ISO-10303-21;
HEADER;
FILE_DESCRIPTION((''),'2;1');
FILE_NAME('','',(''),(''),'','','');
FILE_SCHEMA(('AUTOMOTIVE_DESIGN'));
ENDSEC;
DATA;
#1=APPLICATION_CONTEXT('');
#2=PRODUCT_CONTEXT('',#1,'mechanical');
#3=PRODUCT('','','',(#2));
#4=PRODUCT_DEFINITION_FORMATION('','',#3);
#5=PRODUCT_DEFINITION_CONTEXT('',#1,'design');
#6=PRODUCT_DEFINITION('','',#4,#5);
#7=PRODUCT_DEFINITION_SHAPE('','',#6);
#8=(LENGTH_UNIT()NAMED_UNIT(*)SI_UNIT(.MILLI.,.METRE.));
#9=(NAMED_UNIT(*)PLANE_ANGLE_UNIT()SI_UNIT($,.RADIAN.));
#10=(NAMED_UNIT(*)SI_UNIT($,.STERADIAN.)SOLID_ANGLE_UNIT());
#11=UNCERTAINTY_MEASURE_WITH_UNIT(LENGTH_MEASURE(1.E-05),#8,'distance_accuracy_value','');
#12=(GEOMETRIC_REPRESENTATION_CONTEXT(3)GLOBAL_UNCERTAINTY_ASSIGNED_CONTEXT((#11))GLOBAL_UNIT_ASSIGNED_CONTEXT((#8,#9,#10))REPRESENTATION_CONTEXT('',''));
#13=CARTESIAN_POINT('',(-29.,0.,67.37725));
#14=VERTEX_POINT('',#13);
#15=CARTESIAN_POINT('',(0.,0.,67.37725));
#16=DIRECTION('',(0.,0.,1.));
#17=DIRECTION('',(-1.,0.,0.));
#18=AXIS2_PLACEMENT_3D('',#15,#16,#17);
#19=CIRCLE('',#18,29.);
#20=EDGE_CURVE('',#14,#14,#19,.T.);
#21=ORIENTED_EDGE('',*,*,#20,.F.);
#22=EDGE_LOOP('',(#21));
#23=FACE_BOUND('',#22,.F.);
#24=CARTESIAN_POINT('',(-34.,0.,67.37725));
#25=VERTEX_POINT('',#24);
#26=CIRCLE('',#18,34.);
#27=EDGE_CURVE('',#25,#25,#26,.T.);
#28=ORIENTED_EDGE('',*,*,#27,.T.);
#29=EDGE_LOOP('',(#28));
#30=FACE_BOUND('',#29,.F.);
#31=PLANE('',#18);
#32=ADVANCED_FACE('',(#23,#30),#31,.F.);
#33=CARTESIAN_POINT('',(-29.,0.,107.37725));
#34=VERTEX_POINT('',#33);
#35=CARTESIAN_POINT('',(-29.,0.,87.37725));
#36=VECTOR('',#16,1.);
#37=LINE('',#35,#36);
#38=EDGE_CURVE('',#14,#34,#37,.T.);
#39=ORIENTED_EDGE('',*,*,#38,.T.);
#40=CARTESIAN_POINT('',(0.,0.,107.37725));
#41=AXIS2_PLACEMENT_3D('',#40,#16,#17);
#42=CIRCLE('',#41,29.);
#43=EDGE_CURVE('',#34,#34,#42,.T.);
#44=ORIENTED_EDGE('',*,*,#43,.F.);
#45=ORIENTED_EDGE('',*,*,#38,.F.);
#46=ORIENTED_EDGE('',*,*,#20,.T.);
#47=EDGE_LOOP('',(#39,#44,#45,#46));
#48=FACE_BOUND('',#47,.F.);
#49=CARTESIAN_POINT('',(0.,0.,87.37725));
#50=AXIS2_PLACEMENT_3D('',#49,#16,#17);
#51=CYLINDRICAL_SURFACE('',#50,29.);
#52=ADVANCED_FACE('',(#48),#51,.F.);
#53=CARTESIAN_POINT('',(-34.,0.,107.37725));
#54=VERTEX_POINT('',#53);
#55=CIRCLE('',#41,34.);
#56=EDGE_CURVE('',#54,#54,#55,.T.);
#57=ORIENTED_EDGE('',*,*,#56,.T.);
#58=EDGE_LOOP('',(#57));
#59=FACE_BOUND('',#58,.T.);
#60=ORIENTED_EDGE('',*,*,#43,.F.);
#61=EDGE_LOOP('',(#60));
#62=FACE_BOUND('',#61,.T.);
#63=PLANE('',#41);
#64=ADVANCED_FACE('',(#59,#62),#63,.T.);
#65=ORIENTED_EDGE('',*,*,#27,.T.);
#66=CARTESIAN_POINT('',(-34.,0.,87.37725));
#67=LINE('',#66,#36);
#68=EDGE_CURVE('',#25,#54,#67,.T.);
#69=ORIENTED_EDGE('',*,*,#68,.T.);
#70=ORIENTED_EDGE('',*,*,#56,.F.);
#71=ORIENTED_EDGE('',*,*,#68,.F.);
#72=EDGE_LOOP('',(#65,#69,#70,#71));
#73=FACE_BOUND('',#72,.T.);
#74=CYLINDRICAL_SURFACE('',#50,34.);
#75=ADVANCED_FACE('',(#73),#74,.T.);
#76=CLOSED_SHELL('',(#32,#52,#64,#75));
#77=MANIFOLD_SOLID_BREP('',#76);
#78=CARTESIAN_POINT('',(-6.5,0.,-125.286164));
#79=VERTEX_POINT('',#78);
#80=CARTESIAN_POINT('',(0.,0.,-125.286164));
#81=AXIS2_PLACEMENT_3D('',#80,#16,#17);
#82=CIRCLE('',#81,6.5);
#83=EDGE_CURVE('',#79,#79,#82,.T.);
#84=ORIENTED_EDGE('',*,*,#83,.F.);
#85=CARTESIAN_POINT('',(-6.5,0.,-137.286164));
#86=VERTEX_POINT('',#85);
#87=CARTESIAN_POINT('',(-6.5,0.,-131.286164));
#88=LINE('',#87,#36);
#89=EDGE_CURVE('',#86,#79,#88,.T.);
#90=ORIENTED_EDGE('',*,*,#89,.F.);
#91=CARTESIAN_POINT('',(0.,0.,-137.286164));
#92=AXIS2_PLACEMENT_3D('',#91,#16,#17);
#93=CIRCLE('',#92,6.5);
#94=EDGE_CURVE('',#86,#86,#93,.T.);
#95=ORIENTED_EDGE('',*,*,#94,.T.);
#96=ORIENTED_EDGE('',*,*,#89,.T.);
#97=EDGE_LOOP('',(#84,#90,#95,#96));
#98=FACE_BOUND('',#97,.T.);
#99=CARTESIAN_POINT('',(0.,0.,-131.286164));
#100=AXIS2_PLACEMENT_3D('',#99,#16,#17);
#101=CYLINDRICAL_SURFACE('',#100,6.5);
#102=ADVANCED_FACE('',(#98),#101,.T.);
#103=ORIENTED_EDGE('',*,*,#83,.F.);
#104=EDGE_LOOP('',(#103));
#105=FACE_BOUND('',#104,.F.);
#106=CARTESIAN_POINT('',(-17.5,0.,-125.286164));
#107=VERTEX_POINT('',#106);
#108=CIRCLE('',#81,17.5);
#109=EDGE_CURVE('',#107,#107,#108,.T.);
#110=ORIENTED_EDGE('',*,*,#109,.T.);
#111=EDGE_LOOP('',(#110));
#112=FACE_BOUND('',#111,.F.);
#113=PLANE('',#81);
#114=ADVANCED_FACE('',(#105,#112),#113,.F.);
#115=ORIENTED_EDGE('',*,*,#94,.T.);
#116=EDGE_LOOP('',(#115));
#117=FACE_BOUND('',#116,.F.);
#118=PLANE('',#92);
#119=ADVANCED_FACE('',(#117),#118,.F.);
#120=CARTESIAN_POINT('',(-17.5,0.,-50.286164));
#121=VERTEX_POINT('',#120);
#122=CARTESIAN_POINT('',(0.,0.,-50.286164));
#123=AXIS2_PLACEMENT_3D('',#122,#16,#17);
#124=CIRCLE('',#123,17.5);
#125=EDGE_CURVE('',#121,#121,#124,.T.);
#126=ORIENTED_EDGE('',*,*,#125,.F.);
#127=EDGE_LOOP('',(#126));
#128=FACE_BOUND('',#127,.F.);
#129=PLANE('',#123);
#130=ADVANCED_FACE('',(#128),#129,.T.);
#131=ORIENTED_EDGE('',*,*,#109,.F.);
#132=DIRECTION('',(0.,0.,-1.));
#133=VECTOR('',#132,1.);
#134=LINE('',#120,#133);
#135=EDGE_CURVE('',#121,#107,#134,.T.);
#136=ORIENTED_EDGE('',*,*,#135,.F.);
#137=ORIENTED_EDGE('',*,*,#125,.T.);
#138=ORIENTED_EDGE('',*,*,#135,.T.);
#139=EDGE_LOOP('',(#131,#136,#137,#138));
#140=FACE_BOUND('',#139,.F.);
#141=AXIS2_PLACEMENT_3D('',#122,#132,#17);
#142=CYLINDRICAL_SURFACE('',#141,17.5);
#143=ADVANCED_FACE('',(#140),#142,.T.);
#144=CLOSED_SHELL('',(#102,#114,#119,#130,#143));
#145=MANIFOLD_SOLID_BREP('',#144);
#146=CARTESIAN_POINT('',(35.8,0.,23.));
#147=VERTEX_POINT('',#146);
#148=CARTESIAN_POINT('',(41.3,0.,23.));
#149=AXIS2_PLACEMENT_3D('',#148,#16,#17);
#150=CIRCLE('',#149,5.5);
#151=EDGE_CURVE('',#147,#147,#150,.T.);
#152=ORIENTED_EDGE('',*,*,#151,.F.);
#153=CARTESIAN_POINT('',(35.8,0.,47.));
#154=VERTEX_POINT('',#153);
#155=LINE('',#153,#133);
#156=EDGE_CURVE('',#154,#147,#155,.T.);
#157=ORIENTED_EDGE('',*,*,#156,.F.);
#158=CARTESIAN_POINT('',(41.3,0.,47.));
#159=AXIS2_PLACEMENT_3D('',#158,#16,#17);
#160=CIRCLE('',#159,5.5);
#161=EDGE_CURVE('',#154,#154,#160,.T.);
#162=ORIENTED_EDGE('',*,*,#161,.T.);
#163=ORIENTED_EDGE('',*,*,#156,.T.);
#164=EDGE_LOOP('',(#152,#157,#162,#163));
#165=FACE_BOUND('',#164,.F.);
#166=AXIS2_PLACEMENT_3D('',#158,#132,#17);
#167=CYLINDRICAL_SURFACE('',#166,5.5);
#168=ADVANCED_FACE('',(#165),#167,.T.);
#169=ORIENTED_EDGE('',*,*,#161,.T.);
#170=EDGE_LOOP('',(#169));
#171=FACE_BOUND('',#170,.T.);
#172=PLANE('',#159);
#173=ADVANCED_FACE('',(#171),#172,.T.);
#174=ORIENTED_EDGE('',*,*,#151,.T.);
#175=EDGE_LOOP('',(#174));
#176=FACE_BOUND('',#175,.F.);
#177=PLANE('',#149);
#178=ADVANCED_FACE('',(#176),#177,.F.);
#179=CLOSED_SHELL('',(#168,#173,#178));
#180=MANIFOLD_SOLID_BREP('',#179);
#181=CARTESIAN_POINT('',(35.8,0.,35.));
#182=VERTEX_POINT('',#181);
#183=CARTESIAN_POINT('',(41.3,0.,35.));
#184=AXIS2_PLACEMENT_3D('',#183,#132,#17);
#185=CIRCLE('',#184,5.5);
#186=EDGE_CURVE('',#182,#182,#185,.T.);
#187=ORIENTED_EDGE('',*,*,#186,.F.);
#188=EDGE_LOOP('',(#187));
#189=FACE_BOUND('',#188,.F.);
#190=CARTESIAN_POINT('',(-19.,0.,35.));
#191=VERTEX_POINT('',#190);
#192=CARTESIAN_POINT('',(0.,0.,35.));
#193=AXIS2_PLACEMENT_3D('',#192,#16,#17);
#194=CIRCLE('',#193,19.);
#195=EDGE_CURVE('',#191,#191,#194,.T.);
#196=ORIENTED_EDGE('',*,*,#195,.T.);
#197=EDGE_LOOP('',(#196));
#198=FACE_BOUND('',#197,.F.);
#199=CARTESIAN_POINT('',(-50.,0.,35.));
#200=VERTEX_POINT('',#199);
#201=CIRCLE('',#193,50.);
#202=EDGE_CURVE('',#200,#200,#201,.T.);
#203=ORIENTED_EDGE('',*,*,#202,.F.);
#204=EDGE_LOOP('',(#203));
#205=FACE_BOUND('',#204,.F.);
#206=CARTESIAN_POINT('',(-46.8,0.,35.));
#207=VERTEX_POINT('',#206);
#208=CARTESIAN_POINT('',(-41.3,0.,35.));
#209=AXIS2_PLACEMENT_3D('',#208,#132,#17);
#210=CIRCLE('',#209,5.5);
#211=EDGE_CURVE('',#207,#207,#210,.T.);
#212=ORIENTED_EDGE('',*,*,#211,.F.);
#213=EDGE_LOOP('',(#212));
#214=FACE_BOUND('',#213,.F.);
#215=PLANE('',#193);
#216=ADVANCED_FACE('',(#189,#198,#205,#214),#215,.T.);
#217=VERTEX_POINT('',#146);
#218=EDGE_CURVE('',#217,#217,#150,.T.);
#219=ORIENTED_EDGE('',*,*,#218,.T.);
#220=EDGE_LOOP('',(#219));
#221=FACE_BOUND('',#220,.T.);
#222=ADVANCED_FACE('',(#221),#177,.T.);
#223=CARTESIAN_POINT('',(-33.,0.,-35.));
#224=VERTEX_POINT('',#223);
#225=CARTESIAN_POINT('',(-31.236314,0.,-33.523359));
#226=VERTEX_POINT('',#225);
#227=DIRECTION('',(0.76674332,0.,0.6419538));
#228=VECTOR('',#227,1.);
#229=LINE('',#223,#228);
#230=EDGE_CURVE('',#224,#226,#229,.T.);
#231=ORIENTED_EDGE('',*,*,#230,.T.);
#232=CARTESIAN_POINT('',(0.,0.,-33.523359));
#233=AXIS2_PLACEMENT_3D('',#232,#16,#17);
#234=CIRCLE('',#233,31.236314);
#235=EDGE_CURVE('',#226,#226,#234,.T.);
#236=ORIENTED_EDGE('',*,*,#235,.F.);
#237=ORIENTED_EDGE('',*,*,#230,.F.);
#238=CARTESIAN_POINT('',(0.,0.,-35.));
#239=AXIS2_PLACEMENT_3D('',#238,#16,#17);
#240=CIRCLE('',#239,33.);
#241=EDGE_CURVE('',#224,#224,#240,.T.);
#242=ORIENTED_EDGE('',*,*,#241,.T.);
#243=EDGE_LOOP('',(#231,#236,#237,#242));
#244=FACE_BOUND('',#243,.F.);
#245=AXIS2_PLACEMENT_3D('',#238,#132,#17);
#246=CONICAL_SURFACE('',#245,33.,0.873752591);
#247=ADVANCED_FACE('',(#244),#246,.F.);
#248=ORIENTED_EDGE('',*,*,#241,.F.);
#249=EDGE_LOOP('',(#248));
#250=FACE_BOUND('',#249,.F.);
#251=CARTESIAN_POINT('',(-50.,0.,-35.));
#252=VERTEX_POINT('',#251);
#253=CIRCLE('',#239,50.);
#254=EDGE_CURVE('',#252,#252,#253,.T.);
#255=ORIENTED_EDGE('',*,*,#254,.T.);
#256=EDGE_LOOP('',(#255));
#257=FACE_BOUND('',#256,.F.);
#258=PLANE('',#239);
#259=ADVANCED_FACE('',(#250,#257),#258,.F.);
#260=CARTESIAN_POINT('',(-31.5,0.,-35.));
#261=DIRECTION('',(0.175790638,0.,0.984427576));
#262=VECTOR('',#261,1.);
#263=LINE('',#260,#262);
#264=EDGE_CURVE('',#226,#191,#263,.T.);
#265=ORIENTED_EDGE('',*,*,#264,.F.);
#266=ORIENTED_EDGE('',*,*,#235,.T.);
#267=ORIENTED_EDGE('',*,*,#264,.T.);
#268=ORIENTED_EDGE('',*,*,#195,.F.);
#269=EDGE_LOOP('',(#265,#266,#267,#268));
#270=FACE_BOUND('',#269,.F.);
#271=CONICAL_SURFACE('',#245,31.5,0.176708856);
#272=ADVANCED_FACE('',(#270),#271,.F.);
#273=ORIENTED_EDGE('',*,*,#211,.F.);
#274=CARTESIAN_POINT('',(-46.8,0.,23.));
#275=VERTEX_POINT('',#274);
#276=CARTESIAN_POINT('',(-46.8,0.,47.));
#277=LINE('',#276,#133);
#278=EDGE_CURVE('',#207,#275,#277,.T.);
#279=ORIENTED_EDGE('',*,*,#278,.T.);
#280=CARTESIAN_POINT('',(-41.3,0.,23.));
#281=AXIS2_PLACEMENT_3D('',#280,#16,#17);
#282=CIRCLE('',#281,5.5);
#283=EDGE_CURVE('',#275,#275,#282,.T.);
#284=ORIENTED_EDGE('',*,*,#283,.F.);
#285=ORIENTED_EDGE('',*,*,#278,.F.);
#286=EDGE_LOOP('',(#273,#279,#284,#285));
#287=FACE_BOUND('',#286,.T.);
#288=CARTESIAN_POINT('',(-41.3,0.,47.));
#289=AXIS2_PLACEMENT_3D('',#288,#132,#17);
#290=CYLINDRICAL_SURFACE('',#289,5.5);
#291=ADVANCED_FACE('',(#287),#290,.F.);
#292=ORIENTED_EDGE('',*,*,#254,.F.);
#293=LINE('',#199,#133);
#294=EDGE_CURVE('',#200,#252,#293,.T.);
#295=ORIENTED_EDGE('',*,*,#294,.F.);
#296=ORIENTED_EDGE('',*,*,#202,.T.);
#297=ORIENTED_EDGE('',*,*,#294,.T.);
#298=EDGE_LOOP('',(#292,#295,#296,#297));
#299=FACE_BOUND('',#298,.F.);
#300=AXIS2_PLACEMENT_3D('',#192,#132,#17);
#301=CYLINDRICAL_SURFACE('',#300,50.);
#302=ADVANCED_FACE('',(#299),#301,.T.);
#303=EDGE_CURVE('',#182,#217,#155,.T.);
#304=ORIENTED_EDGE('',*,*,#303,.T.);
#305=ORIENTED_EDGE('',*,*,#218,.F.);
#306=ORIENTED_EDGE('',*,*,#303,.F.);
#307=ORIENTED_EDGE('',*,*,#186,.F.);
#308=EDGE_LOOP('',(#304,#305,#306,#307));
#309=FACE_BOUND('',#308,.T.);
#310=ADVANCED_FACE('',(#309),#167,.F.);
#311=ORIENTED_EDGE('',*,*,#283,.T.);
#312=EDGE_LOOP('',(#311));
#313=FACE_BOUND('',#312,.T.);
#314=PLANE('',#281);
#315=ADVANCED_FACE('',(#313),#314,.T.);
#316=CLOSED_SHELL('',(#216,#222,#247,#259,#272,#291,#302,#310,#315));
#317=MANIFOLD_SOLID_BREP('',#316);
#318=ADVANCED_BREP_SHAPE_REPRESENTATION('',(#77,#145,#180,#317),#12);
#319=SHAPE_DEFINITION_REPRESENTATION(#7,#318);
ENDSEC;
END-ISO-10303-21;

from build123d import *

# Parameters (mm, degrees)
F0_W    = 5
F0_H    = 40
F0_W_2  = 5.5
F0_H_2  = 12
F0_W_3  = 6.5
F4_SIZE = 1.5


with BuildPart() as f1:
    # F0 (on Front) → F1 (revolve)
    with BuildSketch(Plane.XZ):
        with Locations((-31.5, 87.3772501945)):
            Rectangle(F0_W, F0_H)
    revolve(axis=Axis((0, 0, -11.2999752164), (0, 0, 1)))


with BuildPart() as f2:
    # F0 (on Front) → F2 (revolve)
    with BuildSketch(Plane.XZ):
        Polygon((-50, -35), (-31.5, -35), (-19, 35), (-35.8, 35), (-35.8, 23), (-41.3, 23), (-46.8, 23), (-46.8, 35), (-50, 35), align=None)
        with Locations((-38.55, 29)):
            Rectangle(F0_W_2, F0_H_2)
        with Locations((-44.05, 29)):
            Rectangle(F0_W_2, F0_H_2)
    revolve(axis=Axis((0, 0, -11.2999752164), (0, 0, 1)))

    # F4
    f4_edges = [f2.edges().sort_by_distance(p)[0] for p in [
        (31.5, 0, -35),
    ]]
    chamfer(f4_edges, length=F4_SIZE)

    # F0 (on Front) → F5 (revolve, cut)
    with BuildSketch(Plane.XZ):
        with Locations((-44.05, 29)):
            Rectangle(F0_W_2, F0_H_2)
        with Locations((-44.05, 41)):
            Rectangle(F0_W_2, F0_H_2)
    revolve(axis=Axis((-41.3, 0, 39.9964758903), (0, 0, 1)), mode=Mode.SUBTRACT)

    # F0 (on Front) → F6 (revolve, cut)
    with BuildSketch(Plane.XZ):
        with Locations((38.55, 41)):
            Rectangle(F0_W_2, F0_H_2)
        with Locations((38.55, 29)):
            Rectangle(F0_W_2, F0_H_2)
    revolve(axis=Axis((41.3, 0, 37.3383955806), (0, 0, 1)), mode=Mode.SUBTRACT)


with BuildPart() as f3:
    # F0 (on Front) → F3 (revolve)
    with BuildSketch(Plane.XZ):
        Polygon((0, -125.286164403), (0, -50.286164403), (-17.5, -50.286164403), (-17.5, -125.286164403), (-6.5, -125.286164403), align=None)
        with Locations((-3.25, -131.286164403)):
            Rectangle(F0_W_3, F0_H_2)
    revolve(axis=Axis((0, 0, -11.2999752164), (0, 0, 1)))


with BuildPart() as f7:
    # F0 (on Front) → F7 (revolve)
    with BuildSketch(Plane.XZ):
        with Locations((38.55, 41)):
            Rectangle(F0_W_2, F0_H_2)
        with Locations((38.55, 29)):
            Rectangle(F0_W_2, F0_H_2)
    revolve(axis=Axis((41.3, 0, 37.3383955806), (0, 0, 1)))


solid = Compound([f1.part, f2.part, f3.part, f7.part])
